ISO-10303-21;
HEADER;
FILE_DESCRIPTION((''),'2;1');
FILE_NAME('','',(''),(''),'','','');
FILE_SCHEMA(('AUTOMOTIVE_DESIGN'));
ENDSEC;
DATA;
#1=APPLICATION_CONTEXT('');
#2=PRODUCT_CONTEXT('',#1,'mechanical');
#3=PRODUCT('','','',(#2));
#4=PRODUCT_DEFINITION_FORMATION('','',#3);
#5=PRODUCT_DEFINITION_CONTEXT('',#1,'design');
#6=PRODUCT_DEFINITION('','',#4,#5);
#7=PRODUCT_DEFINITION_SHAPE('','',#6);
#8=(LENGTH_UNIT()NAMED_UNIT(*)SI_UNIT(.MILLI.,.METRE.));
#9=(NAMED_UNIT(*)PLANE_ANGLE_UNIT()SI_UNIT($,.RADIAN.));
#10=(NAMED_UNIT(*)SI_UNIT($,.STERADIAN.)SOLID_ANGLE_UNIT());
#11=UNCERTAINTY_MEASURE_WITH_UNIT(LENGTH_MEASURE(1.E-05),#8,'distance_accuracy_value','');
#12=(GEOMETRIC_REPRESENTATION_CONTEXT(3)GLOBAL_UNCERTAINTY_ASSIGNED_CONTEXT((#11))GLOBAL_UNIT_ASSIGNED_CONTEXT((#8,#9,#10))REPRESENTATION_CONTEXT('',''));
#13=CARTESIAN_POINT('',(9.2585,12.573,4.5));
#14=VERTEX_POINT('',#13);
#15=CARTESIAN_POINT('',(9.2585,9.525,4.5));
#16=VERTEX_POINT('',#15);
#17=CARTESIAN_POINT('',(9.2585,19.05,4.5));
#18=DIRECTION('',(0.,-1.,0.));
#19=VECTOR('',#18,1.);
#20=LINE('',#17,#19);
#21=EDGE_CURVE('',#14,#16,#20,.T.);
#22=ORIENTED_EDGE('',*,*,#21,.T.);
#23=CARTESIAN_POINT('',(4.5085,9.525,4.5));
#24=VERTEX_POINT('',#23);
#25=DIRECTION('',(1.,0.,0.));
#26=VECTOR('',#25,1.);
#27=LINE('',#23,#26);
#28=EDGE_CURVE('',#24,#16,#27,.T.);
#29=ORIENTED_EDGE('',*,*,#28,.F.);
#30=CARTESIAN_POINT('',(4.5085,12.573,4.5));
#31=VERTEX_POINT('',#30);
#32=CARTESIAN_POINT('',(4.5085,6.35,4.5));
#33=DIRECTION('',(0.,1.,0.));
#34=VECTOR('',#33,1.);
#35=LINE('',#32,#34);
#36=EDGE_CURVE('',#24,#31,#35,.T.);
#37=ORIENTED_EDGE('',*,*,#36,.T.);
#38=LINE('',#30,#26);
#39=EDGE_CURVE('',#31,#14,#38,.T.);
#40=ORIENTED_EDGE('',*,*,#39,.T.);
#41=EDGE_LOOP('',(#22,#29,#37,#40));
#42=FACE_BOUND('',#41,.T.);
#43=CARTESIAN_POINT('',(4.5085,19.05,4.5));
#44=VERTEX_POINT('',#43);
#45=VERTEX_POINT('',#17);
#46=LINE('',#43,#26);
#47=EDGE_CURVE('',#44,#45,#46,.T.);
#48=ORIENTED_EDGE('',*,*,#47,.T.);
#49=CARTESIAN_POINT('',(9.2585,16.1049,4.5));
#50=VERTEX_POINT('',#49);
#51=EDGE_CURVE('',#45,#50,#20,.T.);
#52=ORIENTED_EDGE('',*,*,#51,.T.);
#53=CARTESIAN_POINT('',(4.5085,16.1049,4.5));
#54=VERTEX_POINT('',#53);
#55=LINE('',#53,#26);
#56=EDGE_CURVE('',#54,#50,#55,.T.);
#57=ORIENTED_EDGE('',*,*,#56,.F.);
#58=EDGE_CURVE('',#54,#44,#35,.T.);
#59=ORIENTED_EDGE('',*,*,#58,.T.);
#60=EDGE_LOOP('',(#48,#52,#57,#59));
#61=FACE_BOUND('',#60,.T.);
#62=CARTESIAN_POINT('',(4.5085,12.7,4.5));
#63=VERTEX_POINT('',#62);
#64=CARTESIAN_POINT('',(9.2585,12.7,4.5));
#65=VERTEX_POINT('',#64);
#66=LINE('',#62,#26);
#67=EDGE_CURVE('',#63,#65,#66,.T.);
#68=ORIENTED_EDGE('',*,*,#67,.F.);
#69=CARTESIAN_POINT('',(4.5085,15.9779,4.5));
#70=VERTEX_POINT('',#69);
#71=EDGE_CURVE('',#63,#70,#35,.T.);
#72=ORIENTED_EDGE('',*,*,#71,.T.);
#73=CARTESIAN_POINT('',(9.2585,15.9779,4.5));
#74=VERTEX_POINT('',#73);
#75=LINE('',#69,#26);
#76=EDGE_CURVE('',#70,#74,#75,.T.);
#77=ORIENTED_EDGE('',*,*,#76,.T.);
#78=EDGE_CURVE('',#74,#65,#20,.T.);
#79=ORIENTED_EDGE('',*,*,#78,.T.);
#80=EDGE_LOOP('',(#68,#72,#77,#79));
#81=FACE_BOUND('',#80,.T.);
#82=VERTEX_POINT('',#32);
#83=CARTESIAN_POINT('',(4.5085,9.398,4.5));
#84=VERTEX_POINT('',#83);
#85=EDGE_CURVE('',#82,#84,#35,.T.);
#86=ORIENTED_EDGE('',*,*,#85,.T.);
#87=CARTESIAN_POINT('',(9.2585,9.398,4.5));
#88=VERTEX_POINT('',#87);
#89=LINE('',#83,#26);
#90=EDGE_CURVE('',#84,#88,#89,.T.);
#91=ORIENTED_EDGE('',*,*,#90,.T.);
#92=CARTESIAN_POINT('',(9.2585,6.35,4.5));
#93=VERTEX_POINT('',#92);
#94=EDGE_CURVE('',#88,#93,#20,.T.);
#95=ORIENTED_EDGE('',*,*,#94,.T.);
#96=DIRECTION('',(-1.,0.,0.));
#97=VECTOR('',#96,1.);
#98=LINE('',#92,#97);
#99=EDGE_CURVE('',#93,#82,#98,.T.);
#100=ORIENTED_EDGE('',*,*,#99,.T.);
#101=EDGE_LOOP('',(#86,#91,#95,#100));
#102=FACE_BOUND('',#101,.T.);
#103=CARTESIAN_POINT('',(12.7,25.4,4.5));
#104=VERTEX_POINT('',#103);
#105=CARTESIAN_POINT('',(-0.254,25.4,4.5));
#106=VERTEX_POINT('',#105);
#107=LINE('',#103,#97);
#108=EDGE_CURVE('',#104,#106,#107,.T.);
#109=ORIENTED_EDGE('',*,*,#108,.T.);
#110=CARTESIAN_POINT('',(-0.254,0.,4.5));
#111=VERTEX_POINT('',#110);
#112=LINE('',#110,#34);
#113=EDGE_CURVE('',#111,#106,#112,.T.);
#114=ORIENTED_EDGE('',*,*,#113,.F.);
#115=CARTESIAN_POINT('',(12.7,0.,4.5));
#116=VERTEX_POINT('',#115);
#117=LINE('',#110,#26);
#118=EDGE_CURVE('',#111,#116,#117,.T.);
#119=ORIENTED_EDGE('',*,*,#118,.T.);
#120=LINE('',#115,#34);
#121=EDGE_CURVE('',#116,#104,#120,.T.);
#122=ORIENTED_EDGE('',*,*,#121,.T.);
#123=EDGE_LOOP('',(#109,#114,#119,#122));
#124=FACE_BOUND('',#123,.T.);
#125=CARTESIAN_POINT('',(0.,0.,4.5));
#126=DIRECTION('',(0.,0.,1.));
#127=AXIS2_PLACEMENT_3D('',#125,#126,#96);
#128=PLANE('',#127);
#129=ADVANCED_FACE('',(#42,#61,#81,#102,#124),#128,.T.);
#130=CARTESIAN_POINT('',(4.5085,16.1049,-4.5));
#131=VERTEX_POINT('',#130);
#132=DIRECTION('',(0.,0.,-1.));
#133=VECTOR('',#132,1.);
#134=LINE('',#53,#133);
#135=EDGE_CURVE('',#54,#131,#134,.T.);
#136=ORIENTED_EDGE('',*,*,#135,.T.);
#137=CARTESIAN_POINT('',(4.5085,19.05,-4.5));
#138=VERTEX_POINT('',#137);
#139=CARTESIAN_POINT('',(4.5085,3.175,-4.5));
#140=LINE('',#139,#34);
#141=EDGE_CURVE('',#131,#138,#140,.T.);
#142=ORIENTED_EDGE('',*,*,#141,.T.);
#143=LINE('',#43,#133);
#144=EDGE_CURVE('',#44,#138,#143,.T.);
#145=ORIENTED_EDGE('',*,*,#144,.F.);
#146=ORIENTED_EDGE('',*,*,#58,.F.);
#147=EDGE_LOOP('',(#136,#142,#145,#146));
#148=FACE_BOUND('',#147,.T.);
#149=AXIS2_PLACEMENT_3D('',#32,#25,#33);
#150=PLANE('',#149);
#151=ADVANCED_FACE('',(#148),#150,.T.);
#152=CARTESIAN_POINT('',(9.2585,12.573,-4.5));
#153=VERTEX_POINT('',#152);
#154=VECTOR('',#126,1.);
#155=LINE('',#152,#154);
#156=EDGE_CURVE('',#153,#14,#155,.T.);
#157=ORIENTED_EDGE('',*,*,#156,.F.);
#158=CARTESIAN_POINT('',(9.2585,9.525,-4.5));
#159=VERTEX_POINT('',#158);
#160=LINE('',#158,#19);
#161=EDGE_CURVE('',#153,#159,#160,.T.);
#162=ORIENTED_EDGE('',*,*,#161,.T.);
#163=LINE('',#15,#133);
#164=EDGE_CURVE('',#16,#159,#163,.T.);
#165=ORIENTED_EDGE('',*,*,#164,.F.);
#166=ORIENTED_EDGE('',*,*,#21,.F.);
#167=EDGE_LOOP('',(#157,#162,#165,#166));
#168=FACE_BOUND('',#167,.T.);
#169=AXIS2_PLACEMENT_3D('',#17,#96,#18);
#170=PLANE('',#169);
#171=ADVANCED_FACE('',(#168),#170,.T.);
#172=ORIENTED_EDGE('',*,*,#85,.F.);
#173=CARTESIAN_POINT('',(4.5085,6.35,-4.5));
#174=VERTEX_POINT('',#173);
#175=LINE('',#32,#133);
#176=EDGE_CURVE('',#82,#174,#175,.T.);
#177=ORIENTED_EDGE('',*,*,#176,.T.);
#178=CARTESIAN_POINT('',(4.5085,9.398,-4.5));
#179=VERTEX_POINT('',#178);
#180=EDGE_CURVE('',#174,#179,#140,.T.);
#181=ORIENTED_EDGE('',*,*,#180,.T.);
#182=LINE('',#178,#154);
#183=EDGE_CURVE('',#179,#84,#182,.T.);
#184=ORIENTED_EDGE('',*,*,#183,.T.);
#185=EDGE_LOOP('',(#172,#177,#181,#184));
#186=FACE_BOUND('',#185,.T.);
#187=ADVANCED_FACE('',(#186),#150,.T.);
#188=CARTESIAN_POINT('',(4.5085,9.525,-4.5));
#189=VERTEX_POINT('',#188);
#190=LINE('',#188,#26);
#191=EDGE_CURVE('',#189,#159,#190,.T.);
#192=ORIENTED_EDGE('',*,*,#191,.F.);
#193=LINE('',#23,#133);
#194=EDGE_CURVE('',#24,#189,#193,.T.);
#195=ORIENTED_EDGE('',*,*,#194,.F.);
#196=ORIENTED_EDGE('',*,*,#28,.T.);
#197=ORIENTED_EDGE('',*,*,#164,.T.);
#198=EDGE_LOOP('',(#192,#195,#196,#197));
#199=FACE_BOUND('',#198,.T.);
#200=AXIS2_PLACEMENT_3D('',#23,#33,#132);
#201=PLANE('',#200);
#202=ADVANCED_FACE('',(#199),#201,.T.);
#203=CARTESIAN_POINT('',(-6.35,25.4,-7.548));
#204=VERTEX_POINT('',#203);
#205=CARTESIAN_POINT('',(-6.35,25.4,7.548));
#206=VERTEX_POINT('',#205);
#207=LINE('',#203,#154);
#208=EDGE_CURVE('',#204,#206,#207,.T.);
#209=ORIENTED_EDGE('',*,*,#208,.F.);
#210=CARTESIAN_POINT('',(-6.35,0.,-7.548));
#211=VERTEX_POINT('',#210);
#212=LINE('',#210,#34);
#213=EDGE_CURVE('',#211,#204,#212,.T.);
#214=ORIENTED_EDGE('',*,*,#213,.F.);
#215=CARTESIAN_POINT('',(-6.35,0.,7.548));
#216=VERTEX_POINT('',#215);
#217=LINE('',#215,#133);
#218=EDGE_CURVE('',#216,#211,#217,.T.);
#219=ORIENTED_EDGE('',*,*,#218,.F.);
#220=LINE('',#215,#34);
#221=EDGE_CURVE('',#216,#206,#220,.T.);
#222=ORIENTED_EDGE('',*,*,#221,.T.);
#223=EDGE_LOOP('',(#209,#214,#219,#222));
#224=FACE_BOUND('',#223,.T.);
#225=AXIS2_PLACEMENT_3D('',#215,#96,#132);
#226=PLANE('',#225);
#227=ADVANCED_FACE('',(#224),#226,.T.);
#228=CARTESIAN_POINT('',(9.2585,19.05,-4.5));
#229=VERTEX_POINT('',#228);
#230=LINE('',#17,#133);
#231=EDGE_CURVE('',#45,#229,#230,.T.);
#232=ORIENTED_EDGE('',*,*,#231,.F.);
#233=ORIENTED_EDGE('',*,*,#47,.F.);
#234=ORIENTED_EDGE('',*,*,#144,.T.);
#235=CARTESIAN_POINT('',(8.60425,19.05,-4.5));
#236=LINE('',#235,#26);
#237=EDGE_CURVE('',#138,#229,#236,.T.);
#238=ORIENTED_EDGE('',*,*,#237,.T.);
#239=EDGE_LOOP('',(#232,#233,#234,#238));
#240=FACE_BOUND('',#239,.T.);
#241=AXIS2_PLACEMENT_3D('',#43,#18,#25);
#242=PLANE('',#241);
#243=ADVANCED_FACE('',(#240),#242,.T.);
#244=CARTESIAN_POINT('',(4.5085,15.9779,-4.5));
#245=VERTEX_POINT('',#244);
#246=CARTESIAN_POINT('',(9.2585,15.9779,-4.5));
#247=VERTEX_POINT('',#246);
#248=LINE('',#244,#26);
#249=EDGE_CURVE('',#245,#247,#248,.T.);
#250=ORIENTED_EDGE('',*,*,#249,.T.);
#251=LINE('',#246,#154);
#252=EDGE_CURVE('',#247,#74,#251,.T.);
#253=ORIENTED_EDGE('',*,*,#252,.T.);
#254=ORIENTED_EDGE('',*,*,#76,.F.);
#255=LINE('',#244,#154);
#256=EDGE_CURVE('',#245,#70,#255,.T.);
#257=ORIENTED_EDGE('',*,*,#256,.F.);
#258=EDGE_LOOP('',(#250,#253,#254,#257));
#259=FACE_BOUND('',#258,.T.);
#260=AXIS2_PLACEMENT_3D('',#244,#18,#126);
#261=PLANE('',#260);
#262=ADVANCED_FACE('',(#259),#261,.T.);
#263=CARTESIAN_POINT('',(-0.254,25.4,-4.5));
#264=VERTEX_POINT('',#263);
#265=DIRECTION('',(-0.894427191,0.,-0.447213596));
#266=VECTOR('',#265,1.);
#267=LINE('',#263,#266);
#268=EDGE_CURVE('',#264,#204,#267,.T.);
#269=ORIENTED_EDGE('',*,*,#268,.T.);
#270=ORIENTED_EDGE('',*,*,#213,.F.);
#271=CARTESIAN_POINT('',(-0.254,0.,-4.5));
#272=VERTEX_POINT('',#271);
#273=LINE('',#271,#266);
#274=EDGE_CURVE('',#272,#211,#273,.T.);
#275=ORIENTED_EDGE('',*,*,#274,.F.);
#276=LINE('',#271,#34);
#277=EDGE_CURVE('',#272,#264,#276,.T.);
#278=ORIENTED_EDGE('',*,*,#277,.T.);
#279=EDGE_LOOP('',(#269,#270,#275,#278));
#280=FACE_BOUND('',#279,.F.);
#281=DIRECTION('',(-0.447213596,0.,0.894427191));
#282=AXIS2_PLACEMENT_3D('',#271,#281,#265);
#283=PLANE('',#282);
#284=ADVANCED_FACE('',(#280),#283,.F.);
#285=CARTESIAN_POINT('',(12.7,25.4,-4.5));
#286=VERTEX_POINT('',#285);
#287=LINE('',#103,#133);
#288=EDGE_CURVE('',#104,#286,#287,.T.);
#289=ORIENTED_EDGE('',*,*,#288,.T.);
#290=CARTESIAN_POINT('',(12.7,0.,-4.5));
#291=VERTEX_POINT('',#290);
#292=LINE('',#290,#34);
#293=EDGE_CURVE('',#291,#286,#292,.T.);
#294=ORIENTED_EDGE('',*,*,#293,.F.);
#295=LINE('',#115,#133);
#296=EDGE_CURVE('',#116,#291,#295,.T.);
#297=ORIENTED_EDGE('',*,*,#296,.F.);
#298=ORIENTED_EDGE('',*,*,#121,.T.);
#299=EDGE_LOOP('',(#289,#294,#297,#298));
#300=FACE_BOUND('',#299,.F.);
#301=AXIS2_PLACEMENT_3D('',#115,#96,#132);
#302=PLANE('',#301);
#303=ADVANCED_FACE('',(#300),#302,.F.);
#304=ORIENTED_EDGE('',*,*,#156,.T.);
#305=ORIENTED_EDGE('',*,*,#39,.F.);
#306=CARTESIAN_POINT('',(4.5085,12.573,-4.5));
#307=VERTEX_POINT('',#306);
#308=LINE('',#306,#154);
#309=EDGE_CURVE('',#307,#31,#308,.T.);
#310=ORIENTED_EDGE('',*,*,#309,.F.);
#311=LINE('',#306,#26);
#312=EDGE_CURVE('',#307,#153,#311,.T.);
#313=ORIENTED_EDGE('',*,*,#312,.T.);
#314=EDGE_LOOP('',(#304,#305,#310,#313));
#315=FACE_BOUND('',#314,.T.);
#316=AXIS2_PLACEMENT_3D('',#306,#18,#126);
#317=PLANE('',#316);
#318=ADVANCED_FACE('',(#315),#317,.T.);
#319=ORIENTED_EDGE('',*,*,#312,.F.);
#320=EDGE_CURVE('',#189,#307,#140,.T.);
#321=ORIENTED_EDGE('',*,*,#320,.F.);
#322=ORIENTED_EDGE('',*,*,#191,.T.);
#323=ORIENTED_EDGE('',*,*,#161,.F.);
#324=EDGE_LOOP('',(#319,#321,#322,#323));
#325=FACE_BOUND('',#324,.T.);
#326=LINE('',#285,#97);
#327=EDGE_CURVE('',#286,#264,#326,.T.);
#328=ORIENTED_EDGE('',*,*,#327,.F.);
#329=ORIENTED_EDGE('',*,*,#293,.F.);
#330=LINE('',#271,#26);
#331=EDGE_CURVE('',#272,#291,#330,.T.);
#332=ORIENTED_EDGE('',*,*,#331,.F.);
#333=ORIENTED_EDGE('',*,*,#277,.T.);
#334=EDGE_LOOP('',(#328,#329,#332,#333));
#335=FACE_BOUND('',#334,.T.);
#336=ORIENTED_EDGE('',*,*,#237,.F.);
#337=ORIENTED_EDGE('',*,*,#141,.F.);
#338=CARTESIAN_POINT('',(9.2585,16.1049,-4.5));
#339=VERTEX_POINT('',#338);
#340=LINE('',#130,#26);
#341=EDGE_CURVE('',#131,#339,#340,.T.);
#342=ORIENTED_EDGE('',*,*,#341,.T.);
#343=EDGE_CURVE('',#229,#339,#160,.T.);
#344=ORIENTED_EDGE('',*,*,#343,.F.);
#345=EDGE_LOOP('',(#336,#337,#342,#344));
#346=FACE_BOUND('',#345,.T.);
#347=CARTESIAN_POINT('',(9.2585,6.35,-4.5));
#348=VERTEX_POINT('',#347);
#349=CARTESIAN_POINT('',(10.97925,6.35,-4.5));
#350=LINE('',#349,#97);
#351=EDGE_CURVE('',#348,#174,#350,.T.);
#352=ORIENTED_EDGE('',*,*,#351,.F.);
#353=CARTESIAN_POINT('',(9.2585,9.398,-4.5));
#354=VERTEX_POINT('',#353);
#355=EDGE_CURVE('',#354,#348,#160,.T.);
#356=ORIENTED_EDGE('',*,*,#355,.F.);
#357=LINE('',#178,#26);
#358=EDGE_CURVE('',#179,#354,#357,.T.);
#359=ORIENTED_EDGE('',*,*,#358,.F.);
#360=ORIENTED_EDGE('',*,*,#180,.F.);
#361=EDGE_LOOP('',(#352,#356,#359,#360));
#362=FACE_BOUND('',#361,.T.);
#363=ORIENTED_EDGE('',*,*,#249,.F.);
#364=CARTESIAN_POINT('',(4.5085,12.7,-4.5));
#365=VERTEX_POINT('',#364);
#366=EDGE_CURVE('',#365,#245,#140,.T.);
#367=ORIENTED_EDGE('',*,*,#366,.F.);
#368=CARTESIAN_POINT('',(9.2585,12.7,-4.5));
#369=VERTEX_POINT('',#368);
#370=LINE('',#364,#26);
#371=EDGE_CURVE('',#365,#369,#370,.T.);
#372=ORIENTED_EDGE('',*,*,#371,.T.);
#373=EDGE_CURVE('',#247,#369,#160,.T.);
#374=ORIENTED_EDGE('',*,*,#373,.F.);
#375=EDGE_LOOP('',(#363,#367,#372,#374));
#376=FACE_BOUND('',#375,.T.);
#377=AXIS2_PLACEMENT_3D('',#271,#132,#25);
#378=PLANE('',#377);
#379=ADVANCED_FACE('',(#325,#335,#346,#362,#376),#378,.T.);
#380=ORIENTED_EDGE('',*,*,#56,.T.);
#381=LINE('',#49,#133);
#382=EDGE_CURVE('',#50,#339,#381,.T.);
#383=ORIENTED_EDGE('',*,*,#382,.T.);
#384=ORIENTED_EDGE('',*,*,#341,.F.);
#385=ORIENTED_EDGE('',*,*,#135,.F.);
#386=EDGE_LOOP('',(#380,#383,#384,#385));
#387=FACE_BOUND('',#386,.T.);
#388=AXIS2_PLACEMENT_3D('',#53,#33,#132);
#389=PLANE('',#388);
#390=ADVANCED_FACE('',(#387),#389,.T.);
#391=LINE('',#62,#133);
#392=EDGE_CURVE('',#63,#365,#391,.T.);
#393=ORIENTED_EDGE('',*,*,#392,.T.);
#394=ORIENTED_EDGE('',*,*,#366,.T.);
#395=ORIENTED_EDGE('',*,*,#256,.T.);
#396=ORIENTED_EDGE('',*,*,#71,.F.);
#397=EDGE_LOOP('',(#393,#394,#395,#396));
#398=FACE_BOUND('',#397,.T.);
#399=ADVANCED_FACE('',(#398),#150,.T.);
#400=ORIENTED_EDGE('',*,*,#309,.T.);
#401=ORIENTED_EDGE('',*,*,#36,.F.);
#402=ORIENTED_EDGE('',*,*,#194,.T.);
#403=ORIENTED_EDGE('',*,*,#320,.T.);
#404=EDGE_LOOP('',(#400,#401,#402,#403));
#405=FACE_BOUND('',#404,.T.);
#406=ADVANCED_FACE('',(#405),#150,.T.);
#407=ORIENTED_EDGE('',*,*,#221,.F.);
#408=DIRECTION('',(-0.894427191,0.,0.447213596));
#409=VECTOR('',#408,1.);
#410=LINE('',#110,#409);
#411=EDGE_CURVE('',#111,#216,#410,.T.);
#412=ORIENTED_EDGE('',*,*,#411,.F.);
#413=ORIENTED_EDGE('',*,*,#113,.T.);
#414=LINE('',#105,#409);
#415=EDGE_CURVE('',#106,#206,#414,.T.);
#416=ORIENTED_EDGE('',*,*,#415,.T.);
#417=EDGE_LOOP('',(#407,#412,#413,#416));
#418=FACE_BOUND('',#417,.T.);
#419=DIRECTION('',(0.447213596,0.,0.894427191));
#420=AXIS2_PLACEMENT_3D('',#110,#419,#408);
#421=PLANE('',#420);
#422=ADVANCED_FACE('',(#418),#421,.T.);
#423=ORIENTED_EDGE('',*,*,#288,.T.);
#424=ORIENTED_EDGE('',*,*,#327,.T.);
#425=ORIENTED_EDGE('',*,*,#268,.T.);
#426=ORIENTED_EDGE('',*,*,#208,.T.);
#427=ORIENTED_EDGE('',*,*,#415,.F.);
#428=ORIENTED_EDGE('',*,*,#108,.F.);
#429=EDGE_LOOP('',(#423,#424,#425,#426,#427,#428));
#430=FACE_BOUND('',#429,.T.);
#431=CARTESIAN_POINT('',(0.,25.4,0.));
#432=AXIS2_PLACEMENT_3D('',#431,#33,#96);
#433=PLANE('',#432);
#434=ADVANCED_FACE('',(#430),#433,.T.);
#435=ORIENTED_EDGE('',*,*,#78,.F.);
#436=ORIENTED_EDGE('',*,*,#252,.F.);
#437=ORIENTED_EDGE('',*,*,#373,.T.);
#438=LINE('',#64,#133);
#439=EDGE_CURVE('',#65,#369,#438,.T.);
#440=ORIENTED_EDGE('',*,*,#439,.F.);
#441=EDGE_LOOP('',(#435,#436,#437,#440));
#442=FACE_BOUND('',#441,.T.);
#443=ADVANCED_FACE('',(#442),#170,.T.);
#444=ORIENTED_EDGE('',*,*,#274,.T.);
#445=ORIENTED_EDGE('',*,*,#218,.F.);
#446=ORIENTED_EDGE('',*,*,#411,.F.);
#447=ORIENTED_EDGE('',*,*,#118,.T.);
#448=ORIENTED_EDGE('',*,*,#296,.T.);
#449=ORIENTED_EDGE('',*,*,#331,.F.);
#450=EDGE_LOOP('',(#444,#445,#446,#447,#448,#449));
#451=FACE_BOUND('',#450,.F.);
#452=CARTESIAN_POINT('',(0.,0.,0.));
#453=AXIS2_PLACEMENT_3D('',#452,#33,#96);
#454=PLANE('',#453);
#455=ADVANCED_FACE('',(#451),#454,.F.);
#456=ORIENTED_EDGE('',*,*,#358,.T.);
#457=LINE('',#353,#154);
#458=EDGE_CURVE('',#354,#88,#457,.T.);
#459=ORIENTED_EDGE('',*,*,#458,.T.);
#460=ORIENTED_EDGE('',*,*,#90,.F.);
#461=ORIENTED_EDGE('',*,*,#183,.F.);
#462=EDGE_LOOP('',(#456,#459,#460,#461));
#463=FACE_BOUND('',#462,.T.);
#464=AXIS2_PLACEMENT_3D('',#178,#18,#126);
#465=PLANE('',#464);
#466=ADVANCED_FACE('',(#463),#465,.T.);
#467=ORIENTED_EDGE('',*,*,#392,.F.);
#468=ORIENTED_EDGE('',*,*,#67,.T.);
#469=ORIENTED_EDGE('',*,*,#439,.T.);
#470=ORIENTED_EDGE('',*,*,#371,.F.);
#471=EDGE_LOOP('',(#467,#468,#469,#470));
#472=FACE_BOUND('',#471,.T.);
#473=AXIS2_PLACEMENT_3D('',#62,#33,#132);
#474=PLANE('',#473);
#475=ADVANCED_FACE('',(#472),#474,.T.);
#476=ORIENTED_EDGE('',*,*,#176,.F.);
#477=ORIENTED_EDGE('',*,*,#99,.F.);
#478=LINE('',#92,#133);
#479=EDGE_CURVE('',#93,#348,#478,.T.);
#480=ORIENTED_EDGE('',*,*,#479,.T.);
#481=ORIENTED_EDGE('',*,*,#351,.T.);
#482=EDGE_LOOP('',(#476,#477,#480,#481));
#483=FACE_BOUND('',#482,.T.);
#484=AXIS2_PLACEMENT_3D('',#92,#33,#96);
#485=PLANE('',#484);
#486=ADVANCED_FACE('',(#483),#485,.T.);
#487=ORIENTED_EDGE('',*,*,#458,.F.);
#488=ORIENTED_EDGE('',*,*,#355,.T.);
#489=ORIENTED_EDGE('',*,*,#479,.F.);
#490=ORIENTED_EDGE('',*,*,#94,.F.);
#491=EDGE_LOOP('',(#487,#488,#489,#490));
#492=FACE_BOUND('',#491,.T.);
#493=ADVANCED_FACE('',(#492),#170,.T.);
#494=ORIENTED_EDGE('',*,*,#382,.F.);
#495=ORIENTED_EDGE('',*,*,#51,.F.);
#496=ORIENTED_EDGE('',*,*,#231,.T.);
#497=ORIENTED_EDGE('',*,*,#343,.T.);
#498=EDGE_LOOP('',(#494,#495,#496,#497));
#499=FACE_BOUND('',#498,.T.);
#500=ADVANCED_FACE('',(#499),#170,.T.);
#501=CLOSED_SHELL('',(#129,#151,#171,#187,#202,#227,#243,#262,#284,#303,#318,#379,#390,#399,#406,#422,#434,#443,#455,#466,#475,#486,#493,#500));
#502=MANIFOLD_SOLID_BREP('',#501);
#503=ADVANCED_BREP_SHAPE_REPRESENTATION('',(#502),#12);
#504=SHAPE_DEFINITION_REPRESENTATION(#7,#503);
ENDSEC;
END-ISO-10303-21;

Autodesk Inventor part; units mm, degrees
ref_plane "YZ Plane" through (0, 0, 0) normal (1, 0, 0) x (0, 1, 0)
ref_plane "XZ Plane" through (0, 0, 0) normal (0, 1, 0) x (-1, 0, 0)
ref_plane "XY Plane" through (0, 0, 0) normal (0, 0, 1) x (1, 0, 0)
sketch "Sketch1" plane through (0, 0, 0) normal (0, 1, 0) x (-1, 0, 0)
  line L0 (0, 4.5) -> (-12.7, 4.5)
  line L1 (-12.7, 4.5) -> (-12.7, -4.5)
  line L2 (-12.7, -4.5) -> (0, -4.5)
  line L3 (0, 4.5) -> (0.254, 4.5)
  line L4 (0.254, -4.5) -> (0, -4.5)
  line L5 (6.35, 4.5) -> (6.35, -4.5)
  line L6 (6.35, 7.548) -> (6.35, 4.5)
  line L7 (6.35, -7.548) -> (6.35, -4.5)
  line L8 (0.254, 4.5) -> (6.35, 7.548)
  line L9 (0.254, -4.5) -> (6.35, -7.548)
  point P0 (0, 0)
  point P1 (0, -4.5)
  dimension "d1" = 9
  dimension "d2" = 4.5
  dimension "d7" = 3.048
  dimension "d8" = 3.048
  dimension "d9" = 12.954
  dimension "d16" = 6.096
extrude "Shape" add sketch "Sketch1" along normal blind 25.4
sketch "Sketch2" plane through (-0.254, 0, 4.5) normal (0, 0, 1) x (1, 0, 0)
  line L0 (4.7625, 19.05) -> (9.5125, 19.05)
  line L1 (9.5125, 19.05) -> (9.5125, 6.35)
  line L2 (9.5125, 6.35) -> (4.7625, 6.35)
  line L3 (4.7625, 6.35) -> (4.7625, 19.05)
  point P0 (0.254, 0)
  dimension "d12" = 4.75
  dimension "d13" = 12.7
extrude "Bridge" cut sketch "Sketch2" against normal through all
sketch "Sketch3" plane through (4.5085, 6.35, 4.5) normal (1, 0, 0) x (0, 0, -1)
  line L0 (9, 12.7) -> (9, 0) construction
  line L1 (0, 12.7) -> (9, 12.7) construction
  line L2 (9, 0) -> (0, 0) construction
  line L3 (0, -6.35) -> (0, 19.05) projected
  line L4 (9, -6.35) -> (9, 19.05) projected
  line L5 (0, 9.7549) -> (9, 9.7549)
  line L6 (9, 9.7549) -> (9, 9.6279)
  line L7 (9, 9.6279) -> (0, 9.6279)
  line L8 (0, 9.6279) -> (0, 9.7549)
  line L9 (0, 6.35) -> (9, 6.35)
  line L10 (9, 6.35) -> (9, 6.223)
  line L11 (9, 6.223) -> (0, 6.223)
  line L12 (0, 6.223) -> (0, 6.35)
  line L13 (0, 3.175) -> (9, 3.175)
  line L14 (9, 3.175) -> (9, 3.048)
  line L15 (9, 3.048) -> (0, 3.048)
  line L16 (0, 3.048) -> (0, 3.175)
  point P0 (4.5, -6.35)
  point P1 (0, 3.048)
  point P2 (0, 6.223)
  point P3 (9, 6.35)
  point P4 (0, 9.6279)
  point P5 (9, 9.7549)
  dimension "d17" = 0.127
  dimension "d18" = 0.127
  dimension "d19" = 0.127
  dimension "d20" = 2.9451
  dimension "d22" = 9.525
extrude "Supports" add sketch "Sketch3" along normal up to surface (4.75 mm away) contours L3 L13 L4 L15 | L3 L9 L4 L11 | L3 L5 L4 L7
equation "\"d8\" = d7"
equation "\"d18\" = d17"
equation "\"d19\" = d17"
properties part number "Sliding test insert"
